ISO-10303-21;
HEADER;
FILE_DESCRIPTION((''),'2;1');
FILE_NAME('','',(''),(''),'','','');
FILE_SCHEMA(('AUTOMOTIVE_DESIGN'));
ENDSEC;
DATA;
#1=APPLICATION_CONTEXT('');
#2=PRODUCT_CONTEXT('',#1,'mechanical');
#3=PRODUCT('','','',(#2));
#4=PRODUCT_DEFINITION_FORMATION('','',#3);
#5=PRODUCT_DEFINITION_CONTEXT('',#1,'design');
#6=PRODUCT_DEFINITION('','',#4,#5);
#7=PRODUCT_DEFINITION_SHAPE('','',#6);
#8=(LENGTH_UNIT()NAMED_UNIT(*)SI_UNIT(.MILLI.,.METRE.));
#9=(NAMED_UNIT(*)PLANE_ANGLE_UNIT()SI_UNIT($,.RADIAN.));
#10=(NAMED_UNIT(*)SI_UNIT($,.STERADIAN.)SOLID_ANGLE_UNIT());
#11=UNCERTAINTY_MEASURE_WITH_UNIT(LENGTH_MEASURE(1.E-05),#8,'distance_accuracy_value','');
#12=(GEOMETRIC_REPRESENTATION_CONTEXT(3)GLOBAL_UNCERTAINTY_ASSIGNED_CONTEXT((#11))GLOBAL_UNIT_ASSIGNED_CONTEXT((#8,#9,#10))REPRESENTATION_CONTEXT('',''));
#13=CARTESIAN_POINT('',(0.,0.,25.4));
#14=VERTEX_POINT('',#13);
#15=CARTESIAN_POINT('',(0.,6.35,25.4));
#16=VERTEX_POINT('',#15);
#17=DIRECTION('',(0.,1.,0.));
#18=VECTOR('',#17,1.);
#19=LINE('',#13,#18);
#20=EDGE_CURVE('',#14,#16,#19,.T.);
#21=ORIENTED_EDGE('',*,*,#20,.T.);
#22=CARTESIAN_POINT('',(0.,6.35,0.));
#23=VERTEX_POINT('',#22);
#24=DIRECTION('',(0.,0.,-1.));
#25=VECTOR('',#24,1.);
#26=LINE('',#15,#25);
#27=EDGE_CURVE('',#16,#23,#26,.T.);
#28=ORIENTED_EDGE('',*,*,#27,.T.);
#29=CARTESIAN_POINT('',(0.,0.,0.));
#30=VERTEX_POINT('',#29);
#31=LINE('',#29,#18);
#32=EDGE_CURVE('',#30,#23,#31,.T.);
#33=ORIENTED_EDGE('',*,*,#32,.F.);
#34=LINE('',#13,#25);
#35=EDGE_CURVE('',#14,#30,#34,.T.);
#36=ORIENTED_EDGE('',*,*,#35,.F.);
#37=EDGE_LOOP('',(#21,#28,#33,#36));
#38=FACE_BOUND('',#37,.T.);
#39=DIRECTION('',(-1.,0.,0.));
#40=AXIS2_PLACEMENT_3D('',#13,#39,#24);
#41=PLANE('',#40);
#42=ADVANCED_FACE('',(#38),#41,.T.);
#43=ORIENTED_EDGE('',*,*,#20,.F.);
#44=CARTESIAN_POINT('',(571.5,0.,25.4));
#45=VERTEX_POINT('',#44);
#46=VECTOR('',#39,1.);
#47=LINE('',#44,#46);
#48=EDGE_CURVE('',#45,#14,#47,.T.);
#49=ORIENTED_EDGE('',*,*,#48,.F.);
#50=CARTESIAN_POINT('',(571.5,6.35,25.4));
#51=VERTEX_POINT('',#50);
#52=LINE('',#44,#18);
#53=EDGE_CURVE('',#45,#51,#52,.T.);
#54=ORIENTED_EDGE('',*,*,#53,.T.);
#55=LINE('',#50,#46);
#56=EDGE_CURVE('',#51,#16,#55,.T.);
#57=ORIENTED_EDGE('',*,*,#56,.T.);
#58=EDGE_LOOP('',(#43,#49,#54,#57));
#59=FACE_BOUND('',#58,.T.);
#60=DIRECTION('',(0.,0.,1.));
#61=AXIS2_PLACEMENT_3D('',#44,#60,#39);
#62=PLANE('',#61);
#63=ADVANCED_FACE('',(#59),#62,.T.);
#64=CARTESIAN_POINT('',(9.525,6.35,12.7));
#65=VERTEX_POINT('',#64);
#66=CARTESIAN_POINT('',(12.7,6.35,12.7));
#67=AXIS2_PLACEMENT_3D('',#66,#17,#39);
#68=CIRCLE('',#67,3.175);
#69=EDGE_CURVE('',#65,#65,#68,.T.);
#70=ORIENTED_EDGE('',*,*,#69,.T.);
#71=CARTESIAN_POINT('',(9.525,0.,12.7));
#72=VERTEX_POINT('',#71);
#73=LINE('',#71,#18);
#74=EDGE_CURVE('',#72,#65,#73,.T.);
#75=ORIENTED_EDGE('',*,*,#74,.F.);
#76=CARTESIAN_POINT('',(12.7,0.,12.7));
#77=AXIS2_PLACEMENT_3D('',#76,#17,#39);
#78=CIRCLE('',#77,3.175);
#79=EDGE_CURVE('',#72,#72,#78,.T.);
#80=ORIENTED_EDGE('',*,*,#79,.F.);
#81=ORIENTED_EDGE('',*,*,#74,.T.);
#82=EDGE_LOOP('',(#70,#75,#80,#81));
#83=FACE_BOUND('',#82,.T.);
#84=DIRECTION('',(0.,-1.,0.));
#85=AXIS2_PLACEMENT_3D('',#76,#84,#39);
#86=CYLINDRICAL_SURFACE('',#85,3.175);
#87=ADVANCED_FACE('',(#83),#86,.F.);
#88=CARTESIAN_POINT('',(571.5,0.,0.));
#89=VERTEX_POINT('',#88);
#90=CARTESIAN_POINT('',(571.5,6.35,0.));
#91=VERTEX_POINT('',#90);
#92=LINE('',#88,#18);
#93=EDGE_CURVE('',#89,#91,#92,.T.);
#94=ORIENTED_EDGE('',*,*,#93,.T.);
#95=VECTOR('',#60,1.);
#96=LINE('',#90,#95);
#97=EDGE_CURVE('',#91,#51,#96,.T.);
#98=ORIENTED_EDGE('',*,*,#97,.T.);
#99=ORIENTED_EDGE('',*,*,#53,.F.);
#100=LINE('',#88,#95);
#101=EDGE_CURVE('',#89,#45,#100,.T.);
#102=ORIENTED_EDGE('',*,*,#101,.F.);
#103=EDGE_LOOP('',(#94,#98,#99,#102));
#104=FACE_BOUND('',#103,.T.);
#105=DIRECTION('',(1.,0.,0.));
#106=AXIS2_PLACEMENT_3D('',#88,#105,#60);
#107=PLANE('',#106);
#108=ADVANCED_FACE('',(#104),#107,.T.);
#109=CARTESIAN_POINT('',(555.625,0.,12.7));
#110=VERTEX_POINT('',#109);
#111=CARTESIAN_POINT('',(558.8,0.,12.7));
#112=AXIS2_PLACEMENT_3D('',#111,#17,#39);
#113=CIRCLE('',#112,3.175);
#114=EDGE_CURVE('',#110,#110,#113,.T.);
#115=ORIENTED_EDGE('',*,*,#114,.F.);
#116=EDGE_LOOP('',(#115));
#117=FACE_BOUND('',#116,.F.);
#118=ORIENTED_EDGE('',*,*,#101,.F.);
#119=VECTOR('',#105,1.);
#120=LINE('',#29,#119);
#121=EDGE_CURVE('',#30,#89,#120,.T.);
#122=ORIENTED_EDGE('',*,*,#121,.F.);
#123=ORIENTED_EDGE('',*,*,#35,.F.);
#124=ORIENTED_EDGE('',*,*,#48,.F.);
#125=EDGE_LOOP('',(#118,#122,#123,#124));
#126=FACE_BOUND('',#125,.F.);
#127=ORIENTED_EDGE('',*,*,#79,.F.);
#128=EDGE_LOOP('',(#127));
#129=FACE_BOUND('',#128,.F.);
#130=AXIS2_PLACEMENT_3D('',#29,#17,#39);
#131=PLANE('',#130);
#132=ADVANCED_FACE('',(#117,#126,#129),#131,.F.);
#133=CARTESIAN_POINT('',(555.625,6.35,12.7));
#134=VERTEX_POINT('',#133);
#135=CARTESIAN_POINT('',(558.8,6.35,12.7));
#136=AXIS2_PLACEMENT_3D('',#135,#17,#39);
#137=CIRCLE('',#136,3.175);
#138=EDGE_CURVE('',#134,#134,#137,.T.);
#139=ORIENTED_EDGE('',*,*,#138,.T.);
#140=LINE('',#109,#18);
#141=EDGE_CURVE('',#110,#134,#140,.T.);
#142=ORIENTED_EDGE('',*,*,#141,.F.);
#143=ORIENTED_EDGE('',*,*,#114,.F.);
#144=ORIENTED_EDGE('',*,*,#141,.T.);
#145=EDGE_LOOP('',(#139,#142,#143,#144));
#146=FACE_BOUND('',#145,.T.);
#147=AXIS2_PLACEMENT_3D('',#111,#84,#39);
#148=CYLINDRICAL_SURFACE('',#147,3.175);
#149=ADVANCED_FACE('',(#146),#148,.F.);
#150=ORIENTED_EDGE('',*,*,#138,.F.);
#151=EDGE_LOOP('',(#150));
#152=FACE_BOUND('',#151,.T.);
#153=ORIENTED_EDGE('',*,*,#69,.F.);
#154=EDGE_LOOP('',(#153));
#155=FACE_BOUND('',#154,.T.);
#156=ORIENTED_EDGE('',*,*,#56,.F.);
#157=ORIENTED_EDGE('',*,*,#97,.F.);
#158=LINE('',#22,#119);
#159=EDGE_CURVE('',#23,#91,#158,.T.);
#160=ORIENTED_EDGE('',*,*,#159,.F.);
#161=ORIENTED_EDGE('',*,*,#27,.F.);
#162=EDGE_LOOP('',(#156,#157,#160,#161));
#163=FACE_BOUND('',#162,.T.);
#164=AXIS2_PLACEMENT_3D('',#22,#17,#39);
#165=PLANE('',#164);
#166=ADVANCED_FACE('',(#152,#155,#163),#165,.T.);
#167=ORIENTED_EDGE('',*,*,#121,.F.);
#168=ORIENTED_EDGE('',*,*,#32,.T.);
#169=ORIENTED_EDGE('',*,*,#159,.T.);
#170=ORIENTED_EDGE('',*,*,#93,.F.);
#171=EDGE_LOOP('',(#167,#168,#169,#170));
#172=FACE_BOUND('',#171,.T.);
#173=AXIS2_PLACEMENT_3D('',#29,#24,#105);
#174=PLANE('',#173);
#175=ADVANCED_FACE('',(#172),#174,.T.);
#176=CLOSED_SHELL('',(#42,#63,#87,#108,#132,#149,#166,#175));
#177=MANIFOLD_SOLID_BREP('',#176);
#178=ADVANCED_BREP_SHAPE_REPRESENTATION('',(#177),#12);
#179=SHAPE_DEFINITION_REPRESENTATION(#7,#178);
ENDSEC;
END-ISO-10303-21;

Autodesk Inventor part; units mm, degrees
ref_plane "YZ Plane" through (0, 0, 0) normal (1, 0, 0) x (0, 1, 0)
ref_plane "XZ Plane" through (0, 0, 0) normal (0, 1, 0) x (-1, 0, 0)
ref_plane "XY Plane" through (0, 0, 0) normal (0, 0, 1) x (1, 0, 0)
sketch "Sketch1" plane through (0, 0, 0) normal (0, 1, 0) x (-1, 0, 0)
  line L0 (0, 0) -> (-571.5, 0)
  line L1 (-571.5, 0) -> (-571.5, 25.4)
  line L2 (-571.5, 25.4) -> (0, 25.4)
  line L3 (0, 25.4) -> (0, 0)
  circle A0 centre (-12.7, 12.7) radius 3.175
  circle A1 centre (-558.8, 12.7) radius 3.175
  dimension "d0" = 571.5
  dimension "d1" = 25.4
  dimension "d2" = 6.35
  dimension "d3" = 12.7
  dimension "d4" = 12.7
  dimension "d5" = 6.35
  dimension "d6" = 12.7
  dimension "d7" = 12.7
extrude "Extrusion1" add sketch "Sketch1" along normal blind 6.35
equation "\"BendRadius\" = Thickness"
equation "\"BendReliefWidth\" = Thickness"
equation "\"BendReliefDepth\" = 0.5 * Thickness"
equation "\"CornerReliefSize\" = 4 * Thickness"
equation "\"MinimumRemnant\" = 2 * Thickness"
equation "\"TransitionRadius\" = BendRadius"
equation "\"JacobiRadiusSize\" = Thickness"
equation "\"GapSize\" = Thickness"
equation "\"Thickness\" = 3.048"
properties part number "15102898-16-P-0214" material "Aluminum 6061"
